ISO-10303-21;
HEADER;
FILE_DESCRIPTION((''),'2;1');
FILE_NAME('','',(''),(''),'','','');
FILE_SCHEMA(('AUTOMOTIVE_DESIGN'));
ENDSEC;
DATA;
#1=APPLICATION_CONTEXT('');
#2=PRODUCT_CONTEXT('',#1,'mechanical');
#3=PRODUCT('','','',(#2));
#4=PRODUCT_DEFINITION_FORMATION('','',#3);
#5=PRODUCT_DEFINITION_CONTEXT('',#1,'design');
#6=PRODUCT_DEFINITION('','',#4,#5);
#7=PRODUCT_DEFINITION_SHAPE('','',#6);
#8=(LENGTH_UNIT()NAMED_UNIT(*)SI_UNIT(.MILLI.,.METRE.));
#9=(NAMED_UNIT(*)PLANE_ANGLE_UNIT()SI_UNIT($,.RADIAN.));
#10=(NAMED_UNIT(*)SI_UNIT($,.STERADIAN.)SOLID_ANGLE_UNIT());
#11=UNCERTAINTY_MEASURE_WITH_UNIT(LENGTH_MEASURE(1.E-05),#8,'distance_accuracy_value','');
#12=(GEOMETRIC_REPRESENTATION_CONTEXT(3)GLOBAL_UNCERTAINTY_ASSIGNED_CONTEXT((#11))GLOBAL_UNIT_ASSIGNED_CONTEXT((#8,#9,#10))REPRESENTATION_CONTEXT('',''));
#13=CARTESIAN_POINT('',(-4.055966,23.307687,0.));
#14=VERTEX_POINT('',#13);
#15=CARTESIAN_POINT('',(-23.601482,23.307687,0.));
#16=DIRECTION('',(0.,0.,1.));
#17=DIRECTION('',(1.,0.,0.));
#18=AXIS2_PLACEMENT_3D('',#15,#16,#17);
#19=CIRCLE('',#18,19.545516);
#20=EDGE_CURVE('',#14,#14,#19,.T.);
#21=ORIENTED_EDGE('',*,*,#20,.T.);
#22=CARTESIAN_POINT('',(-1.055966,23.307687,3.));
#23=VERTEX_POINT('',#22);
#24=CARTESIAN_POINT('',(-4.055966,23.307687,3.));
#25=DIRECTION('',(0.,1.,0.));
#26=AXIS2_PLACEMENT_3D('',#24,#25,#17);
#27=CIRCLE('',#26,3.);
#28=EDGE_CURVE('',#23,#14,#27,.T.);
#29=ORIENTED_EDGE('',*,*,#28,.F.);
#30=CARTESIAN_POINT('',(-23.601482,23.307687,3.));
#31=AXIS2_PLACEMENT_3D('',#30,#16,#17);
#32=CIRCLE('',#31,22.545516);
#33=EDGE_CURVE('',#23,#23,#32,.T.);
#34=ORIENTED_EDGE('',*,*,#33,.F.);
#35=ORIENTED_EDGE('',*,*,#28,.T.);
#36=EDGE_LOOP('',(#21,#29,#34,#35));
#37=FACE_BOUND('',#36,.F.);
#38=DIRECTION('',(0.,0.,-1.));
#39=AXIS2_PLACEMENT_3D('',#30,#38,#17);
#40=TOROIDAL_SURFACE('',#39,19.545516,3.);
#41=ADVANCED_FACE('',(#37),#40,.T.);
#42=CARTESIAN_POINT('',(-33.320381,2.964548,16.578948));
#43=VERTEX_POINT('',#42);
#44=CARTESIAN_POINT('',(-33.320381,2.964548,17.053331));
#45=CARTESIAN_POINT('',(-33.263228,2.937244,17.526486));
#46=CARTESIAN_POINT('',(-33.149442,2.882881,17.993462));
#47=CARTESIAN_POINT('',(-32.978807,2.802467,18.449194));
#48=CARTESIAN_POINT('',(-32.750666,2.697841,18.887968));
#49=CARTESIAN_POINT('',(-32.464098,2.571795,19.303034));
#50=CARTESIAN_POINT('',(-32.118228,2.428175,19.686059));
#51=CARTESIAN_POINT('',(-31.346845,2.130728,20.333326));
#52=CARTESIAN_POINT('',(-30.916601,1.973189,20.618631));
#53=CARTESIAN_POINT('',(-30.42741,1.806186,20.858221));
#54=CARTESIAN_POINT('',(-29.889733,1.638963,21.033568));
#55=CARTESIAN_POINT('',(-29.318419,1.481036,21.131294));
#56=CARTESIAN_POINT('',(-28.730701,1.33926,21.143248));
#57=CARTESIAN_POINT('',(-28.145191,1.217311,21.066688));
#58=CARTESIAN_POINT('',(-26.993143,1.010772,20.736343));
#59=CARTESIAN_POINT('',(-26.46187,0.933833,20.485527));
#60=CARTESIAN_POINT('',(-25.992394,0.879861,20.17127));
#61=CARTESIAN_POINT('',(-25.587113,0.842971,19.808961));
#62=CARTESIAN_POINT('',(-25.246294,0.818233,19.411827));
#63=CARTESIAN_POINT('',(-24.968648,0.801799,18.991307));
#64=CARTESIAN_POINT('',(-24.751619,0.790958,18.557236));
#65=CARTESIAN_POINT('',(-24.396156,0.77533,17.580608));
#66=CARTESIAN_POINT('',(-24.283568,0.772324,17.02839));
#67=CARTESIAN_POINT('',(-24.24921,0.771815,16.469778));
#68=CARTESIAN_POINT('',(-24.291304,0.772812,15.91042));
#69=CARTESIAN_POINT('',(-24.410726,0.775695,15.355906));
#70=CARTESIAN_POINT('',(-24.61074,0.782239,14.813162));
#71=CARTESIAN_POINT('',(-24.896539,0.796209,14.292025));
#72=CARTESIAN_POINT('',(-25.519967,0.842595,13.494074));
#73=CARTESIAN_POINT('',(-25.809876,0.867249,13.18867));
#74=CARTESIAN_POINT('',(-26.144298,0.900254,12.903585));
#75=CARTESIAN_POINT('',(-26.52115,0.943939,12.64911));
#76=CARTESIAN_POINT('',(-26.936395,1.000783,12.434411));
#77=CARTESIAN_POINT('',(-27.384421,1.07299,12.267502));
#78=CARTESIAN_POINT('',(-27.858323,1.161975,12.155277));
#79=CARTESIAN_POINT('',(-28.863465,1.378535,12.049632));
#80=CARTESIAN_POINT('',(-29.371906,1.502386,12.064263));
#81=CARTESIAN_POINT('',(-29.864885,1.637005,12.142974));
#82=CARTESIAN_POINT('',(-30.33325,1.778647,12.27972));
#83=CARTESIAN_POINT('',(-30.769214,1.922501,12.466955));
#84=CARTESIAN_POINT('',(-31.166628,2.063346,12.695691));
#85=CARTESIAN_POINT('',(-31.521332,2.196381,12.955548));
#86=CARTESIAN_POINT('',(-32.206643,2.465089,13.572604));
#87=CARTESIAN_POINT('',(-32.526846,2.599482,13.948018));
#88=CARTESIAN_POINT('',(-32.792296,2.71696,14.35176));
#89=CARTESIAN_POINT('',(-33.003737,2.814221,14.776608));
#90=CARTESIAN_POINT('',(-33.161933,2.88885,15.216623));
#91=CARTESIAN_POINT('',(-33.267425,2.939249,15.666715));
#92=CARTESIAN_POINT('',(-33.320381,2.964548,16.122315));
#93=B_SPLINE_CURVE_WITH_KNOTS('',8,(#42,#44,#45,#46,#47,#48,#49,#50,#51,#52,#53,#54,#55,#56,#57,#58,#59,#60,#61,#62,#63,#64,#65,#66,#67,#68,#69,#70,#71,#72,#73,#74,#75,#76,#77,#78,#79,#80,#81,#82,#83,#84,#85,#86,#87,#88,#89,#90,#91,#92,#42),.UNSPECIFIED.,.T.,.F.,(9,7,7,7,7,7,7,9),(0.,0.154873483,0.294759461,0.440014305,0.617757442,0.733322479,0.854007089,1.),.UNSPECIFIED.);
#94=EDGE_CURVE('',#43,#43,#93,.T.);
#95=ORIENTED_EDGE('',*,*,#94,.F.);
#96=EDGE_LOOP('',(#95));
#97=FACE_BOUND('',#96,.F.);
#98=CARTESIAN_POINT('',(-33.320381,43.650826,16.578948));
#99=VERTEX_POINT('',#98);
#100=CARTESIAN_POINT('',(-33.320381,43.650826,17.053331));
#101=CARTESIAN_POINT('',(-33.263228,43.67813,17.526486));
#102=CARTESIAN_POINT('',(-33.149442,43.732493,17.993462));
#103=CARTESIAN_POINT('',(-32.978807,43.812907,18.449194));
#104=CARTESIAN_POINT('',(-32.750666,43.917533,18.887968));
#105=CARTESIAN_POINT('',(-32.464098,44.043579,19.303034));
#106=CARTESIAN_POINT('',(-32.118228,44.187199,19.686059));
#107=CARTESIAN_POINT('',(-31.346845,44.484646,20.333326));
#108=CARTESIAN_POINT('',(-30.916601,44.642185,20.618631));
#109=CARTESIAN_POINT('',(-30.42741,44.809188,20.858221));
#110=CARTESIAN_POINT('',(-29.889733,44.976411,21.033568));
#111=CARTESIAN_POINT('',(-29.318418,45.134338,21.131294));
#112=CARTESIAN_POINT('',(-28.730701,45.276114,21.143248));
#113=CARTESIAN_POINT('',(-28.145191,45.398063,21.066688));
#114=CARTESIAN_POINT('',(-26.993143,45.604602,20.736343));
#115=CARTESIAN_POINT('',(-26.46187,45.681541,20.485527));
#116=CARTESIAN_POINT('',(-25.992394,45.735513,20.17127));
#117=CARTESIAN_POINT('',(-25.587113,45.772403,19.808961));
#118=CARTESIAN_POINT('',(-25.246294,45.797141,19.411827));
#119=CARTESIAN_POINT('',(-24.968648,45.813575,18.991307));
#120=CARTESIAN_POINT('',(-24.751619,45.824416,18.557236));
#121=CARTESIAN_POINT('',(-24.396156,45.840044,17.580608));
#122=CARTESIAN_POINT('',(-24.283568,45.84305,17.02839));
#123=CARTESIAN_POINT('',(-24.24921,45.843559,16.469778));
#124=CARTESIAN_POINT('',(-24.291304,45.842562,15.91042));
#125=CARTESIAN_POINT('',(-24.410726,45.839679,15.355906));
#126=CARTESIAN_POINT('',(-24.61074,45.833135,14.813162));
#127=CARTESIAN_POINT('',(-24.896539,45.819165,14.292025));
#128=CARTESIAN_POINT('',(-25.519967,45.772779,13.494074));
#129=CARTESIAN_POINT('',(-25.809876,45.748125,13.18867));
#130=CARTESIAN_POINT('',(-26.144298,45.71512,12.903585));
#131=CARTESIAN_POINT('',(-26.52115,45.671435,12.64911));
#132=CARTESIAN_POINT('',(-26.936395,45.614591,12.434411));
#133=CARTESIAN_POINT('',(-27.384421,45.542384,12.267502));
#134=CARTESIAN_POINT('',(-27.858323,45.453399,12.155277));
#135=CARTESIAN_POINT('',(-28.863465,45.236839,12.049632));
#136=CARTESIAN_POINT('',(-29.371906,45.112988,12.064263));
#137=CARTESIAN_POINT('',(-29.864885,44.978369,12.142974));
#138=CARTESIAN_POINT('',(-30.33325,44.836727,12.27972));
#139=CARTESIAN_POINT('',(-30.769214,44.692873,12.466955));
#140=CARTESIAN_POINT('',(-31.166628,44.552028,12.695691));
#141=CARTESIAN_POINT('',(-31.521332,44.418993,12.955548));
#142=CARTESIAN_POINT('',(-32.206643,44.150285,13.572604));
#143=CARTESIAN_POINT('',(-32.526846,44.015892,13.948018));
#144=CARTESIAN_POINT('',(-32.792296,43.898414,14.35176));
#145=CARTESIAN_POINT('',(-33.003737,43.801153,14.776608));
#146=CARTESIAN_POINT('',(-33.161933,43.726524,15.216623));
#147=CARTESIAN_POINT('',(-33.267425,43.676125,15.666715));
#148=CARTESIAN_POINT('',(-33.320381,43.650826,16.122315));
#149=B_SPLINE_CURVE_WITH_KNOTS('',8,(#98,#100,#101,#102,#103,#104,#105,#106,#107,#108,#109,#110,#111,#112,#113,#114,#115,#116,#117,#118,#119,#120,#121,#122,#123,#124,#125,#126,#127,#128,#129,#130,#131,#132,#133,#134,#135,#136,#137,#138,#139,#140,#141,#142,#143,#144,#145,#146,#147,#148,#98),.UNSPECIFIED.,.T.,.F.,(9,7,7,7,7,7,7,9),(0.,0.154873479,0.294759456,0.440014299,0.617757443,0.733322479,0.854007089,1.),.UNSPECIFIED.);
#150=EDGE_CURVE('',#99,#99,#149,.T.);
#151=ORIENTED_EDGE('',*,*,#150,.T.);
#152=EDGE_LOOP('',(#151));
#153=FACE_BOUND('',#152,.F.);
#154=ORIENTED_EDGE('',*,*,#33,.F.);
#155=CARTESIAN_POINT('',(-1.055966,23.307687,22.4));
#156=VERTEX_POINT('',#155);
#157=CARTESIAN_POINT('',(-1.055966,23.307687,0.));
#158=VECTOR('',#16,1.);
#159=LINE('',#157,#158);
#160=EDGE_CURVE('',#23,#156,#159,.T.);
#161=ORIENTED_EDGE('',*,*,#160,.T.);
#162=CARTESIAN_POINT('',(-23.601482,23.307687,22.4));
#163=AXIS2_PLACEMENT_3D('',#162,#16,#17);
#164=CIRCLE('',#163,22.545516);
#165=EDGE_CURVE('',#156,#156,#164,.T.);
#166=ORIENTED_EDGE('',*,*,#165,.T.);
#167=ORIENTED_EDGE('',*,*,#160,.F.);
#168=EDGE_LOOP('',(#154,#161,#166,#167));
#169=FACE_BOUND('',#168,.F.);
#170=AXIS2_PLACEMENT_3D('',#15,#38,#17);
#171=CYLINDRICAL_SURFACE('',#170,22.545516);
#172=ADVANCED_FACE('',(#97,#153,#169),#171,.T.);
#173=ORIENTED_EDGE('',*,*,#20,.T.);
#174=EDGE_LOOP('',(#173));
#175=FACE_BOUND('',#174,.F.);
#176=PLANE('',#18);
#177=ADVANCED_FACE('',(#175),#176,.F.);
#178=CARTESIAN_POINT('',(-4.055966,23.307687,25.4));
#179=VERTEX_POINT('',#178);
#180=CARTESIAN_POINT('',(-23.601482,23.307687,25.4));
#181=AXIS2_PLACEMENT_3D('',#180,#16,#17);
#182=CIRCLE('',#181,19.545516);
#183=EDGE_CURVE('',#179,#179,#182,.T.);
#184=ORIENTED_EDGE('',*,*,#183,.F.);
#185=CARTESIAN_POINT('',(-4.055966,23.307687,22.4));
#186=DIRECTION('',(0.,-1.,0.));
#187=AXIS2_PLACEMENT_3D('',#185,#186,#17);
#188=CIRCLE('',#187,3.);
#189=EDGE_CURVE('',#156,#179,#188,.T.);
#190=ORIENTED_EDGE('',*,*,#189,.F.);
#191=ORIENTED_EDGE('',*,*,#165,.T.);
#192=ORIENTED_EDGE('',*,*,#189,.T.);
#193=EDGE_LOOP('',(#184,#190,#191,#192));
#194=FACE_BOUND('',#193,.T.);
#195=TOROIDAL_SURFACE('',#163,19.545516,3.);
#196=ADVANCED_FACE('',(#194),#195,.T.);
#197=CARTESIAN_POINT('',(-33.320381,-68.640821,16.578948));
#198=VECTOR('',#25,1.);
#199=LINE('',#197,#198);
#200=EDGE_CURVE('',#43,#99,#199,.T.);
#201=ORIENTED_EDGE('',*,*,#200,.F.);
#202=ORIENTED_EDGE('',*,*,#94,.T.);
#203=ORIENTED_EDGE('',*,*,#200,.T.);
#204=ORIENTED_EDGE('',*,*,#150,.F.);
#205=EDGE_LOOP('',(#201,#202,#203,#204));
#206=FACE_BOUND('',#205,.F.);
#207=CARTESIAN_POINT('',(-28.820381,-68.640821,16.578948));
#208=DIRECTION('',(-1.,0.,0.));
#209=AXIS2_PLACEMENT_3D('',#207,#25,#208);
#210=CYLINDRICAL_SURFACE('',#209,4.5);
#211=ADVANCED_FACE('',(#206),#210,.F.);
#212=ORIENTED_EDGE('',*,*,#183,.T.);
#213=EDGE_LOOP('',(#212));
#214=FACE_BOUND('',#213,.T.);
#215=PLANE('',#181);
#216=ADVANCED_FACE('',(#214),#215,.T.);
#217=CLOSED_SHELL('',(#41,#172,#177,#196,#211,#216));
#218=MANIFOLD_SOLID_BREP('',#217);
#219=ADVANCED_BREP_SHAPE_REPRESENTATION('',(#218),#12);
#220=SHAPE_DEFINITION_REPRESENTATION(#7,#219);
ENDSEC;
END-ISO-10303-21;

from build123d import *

# Parameters (mm, degrees)
F0_R     = 22.545516
F1_DEPTH = 25.4
F3_D     = 9
F4_R     = 3


with BuildPart() as f1:
    # F0 (on Top) → F1 (new body)
    with BuildSketch(Plane.XY):
        with Locations((-23.601482, 23.307687)):
            Circle(F0_R)
    extrude(amount=F1_DEPTH)

    # F3 (through all)
    with Locations(Plane.XZ):
        with Locations((-28.820381, 16.578948)):
            Hole(F3_D / 2)

    # F4
    f4_edges = [f1.edges().sort_by_distance(p)[0] for p in [
        (-46.146997, 23.307687, 25.4),
        (-46.146997, 23.307687, 0),
    ]]
    fillet(f4_edges, radius=F4_R)


solid = f1.part
